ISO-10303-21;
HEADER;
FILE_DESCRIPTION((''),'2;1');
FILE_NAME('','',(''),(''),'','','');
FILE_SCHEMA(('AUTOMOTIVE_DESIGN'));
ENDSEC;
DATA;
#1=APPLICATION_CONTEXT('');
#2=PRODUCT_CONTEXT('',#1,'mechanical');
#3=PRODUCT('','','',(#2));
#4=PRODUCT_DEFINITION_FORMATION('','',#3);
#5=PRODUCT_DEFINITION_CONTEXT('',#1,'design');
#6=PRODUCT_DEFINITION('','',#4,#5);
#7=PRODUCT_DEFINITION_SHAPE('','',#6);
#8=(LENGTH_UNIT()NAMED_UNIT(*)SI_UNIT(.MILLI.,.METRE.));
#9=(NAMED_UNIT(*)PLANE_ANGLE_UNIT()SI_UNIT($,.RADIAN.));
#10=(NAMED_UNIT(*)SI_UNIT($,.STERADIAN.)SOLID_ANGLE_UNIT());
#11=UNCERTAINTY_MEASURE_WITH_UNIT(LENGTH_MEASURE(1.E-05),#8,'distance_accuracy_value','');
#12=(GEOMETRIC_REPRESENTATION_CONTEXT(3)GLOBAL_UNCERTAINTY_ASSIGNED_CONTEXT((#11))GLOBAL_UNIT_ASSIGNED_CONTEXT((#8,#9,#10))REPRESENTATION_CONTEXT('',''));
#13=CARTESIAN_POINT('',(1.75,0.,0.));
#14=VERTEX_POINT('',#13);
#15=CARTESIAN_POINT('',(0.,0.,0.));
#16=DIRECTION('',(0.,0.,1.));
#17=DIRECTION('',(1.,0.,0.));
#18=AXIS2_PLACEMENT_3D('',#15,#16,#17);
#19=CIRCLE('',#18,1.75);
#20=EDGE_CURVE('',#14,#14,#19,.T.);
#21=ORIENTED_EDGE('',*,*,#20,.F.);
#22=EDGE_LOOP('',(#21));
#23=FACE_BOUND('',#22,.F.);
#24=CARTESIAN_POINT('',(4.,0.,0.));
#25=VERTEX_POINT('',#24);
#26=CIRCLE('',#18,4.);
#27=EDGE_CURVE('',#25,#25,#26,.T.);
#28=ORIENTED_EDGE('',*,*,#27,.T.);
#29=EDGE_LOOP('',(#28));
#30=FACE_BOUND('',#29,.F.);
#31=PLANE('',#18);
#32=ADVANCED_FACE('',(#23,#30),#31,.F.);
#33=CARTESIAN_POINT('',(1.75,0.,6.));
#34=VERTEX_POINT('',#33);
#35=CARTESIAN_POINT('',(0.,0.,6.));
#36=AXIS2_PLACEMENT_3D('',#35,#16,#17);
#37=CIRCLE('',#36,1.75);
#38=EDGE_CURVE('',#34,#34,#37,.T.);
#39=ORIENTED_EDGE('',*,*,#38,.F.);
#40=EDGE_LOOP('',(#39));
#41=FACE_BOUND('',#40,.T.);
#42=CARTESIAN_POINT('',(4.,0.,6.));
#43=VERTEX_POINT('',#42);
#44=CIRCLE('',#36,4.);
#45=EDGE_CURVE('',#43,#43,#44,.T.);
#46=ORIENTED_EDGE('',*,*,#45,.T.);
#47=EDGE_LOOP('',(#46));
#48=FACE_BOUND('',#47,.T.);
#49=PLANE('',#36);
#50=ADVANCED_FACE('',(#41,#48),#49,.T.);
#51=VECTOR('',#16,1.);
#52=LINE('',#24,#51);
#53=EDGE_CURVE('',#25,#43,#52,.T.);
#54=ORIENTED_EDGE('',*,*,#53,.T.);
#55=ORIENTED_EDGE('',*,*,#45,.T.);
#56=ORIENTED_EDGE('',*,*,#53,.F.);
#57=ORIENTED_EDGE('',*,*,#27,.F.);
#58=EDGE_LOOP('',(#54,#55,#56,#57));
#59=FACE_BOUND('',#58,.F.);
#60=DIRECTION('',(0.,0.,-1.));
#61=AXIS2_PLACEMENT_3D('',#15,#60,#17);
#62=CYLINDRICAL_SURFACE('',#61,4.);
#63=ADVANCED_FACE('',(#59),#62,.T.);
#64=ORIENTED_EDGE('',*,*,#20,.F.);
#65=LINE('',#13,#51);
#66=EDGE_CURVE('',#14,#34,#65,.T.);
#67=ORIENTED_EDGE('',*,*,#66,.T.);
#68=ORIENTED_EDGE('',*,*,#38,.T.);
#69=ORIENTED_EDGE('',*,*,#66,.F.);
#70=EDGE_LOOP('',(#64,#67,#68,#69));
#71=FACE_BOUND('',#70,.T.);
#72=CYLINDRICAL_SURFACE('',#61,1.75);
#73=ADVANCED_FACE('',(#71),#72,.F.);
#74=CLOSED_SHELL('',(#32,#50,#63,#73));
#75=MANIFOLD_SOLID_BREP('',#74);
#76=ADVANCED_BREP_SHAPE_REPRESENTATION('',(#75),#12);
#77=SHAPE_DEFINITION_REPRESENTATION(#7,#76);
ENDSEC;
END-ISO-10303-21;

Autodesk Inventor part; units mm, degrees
ref_plane "YZ Plane" through (0, 0, 0) normal (1, 0, 0) x (0, 1, 0)
ref_plane "XZ Plane" through (0, 0, 0) normal (0, 1, 0) x (-1, 0, 0)
ref_plane "XY Plane" through (0, 0, 0) normal (0, 0, 1) x (1, 0, 0)
sketch "Sketch1" plane through (0, 0, 0) normal (0, 0, 1) x (1, 0, 0)
  circle A0 centre (0, 0) radius 1.75
  circle A1 centre (0, 0) radius 4
  dimension "d0" = 8
  dimension "d1" = 3.5
extrude "Extrusion1" add sketch "Sketch1" along normal blind 6
properties part number "vymezovak"
